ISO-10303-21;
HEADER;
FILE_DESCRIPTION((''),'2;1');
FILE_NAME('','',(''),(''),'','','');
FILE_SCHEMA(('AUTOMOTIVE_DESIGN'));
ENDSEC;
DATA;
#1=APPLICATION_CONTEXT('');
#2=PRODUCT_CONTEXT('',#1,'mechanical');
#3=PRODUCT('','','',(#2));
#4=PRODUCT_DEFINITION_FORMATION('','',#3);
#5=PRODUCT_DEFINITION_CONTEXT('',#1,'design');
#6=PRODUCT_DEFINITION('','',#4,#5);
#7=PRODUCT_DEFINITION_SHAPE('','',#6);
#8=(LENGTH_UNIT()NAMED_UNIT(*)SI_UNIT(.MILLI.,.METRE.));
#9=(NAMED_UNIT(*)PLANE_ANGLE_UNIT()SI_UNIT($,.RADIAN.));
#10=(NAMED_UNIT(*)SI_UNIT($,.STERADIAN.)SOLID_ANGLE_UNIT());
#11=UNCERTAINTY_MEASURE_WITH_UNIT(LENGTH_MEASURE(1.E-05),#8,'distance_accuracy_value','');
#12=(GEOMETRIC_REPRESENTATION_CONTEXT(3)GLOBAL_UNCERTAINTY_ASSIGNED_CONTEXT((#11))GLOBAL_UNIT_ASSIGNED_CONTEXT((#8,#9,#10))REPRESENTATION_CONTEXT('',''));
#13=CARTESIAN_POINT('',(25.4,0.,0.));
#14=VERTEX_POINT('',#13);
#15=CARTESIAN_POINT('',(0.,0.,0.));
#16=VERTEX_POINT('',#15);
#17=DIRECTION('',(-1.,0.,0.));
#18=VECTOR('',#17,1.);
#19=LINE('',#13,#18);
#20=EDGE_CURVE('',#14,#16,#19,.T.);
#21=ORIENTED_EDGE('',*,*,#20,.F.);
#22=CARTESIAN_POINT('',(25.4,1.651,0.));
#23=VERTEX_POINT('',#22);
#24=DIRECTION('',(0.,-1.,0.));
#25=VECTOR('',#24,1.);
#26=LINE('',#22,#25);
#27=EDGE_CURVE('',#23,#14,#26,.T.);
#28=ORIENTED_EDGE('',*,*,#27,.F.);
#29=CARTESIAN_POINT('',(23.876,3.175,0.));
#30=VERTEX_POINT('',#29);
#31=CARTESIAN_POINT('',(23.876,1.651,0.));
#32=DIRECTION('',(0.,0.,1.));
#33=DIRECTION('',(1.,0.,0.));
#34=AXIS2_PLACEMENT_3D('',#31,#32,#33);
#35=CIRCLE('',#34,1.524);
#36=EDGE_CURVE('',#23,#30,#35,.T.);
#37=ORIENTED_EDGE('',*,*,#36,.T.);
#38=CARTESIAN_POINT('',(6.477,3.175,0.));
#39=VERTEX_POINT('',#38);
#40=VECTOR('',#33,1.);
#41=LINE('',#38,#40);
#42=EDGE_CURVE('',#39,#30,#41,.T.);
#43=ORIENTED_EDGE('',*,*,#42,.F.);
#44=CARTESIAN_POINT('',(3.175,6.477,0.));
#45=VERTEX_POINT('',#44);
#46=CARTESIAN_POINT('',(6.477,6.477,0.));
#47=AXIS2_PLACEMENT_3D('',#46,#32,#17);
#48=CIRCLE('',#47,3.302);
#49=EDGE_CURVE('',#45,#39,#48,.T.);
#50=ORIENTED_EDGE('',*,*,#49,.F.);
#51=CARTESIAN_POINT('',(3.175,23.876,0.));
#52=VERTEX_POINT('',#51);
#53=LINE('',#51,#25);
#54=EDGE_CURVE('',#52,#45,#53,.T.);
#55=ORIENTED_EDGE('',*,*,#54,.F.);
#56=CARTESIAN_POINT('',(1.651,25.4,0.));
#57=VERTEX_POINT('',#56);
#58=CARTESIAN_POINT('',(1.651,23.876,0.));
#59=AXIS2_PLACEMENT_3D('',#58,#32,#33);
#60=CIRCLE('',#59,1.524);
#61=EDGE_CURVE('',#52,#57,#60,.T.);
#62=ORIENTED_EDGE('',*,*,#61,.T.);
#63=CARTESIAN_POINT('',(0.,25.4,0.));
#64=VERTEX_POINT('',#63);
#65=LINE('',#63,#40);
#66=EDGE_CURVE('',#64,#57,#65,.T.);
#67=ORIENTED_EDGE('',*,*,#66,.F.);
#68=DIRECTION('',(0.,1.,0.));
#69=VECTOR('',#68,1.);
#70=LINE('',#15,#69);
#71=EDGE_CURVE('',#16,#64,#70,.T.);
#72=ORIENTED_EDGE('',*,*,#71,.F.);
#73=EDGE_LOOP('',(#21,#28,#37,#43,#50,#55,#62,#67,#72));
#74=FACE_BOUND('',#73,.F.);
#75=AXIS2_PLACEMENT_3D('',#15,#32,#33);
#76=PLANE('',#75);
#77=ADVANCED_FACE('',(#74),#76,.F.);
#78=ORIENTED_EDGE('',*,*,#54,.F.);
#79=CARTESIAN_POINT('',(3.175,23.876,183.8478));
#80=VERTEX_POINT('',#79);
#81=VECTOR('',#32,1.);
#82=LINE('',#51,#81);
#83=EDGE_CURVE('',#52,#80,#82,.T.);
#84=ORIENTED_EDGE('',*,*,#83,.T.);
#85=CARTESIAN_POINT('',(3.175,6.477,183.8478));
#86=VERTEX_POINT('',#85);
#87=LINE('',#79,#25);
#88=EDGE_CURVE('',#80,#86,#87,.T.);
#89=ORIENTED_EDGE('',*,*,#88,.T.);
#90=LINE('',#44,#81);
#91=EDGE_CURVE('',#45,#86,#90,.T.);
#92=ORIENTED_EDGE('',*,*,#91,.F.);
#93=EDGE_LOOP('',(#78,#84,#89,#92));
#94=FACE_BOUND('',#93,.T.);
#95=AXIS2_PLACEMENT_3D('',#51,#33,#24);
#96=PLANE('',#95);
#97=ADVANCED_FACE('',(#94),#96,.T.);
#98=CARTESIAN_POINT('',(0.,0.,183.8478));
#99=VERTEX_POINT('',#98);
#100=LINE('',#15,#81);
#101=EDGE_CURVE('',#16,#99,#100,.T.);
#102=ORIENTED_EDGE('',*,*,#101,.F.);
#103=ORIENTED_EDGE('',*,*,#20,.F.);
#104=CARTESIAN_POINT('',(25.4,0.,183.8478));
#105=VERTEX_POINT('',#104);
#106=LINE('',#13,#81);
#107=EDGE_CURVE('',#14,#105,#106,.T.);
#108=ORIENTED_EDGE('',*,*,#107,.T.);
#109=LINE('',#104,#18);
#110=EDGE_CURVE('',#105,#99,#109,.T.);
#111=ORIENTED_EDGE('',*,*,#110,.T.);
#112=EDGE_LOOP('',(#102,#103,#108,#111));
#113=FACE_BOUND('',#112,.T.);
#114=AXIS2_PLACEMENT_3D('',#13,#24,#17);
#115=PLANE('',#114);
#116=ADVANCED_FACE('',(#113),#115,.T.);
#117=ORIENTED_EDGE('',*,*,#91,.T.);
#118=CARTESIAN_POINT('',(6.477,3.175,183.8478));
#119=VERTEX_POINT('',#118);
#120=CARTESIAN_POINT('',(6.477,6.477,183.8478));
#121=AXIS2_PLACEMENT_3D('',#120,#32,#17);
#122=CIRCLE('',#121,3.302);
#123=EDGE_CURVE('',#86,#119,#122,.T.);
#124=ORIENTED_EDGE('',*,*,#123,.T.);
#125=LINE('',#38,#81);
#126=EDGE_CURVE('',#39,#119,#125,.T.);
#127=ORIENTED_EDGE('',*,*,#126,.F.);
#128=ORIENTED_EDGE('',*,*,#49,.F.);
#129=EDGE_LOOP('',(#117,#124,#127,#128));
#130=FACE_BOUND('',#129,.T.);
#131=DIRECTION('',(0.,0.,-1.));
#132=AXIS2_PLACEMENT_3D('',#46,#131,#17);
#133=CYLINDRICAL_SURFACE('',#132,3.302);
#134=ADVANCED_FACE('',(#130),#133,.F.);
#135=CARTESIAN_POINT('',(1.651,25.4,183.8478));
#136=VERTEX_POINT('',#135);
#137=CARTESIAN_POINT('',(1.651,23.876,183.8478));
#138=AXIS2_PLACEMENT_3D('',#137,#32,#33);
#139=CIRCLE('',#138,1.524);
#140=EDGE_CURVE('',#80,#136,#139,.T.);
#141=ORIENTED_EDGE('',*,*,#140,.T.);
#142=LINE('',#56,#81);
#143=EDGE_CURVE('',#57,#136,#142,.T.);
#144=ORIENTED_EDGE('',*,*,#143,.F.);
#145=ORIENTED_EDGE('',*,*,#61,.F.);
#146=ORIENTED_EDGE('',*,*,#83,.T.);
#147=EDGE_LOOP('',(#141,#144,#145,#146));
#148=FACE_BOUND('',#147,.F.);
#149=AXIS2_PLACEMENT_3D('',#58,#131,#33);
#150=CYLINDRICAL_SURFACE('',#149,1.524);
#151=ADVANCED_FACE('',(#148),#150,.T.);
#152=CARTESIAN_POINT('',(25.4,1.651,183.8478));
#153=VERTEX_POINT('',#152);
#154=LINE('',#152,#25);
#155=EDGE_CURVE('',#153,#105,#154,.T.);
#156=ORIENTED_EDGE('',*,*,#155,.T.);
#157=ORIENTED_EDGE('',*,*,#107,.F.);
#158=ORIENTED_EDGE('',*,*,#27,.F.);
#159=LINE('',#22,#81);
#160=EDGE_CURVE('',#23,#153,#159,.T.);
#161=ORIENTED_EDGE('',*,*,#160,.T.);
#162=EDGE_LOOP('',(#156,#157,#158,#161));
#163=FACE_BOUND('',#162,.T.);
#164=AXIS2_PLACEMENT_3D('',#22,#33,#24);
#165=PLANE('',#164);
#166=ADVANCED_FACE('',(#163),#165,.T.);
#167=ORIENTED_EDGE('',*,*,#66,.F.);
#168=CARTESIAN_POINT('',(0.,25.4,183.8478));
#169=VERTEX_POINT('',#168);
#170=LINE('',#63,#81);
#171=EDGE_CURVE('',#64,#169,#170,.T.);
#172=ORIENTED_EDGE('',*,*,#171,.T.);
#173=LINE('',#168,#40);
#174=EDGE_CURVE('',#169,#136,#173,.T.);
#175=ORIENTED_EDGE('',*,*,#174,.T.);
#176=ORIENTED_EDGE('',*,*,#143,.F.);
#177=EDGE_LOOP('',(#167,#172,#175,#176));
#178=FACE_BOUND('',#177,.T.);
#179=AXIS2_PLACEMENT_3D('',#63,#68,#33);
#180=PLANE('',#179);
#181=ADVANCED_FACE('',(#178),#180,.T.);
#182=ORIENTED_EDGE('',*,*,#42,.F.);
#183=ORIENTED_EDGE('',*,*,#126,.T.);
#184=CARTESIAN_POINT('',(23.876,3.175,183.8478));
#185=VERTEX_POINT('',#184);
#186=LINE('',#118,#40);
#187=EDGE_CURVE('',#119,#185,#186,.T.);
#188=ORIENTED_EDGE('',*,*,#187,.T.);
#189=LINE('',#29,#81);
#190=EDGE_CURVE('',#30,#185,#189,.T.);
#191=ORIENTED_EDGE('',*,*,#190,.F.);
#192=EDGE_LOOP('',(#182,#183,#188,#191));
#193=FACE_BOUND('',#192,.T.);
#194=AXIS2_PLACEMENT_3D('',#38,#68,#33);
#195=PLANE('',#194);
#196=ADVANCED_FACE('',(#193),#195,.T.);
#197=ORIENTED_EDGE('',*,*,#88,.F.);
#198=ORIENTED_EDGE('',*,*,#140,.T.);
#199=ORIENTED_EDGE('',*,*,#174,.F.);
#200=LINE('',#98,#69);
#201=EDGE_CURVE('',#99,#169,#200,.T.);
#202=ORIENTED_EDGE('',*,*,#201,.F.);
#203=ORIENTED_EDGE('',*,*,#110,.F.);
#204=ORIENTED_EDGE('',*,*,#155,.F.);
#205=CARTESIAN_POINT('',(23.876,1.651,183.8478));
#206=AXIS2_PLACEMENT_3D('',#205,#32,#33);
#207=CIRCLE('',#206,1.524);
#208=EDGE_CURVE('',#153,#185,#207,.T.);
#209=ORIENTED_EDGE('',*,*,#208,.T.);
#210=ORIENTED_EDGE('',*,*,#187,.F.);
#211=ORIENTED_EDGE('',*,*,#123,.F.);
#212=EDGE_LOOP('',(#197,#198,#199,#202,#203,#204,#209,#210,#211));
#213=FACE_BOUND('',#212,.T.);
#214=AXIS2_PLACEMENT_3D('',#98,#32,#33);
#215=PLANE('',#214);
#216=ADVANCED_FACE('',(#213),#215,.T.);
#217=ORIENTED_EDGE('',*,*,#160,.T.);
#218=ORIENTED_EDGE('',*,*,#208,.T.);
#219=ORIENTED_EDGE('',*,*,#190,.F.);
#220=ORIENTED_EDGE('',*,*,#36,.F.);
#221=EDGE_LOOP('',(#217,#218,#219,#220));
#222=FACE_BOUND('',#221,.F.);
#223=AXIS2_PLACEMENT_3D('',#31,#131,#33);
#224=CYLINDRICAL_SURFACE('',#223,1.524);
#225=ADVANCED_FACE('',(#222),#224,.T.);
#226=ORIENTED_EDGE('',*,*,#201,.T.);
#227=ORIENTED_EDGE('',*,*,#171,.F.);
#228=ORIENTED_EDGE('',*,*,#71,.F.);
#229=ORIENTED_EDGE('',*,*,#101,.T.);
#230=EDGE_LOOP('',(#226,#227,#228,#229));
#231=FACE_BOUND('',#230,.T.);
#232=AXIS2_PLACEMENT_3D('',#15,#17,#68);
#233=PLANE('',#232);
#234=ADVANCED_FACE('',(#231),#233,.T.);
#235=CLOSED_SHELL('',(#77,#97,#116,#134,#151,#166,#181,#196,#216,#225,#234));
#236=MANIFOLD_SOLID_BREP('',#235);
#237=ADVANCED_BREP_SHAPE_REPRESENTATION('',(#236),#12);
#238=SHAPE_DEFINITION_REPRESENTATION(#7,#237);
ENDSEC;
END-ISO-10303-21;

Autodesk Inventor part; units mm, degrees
ref_plane "YZ Plane" through (0, 0, 0) normal (1, 0, 0) x (0, 1, 0)
ref_plane "Start Plane" through (0, 0, 0) normal (0, 0, 1) x (1, 0, 0)
ref_plane "End Plane" through (0, 0, 183.8478) normal (0, 0, 1) x (1, 0, 0)
sketch "Sketch" plane through (0, 0, 0) normal (0, 0, 1) x (1, 0, 0)
  line L0 (25.4, 0) -> (0, 0)
  line L1 (0, 0) -> (0, 25.4)
  line L2 (0, 25.4) -> (1.651, 25.4)
  line L3 (3.175, 23.876) -> (3.175, 6.477)
  line L4 (6.477, 3.175) -> (23.876, 3.175)
  line L5 (25.4, 1.651) -> (25.4, 0)
  line L6 (0, -11.0414) -> (0, 31.5385) construction
  line L7 (-11.0414, 0) -> (31.5385, 0) construction
  arc A0 (3.175, 6.477) -> (6.477, 3.175) centre (6.477, 6.477) ccw
  arc A1 (3.175, 23.876) -> (1.651, 25.4) centre (1.651, 23.876) ccw
  arc A2 (25.4, 1.651) -> (23.876, 3.175) centre (23.876, 1.651) ccw
  line L8 (0, 40.0545) -> (0, -19.5574) construction
  line L9 (-19.5574, 0) -> (40.0545, 0) construction
  point P0 (3.175, 25.4)
  point P1 (3.175, 3.175)
  point P2 (25.4, 3.175)
  dimension "d0" = 25.4
  dimension "d1" = 25.4
  dimension "d2" = 3.175
  dimension "d3" = 3.175
  dimension "d10" = 0
  dimension "d11" = 0
  dimension "d14" = 3.302
  dimension "d15" = 1.524
extrude "Body" add sketch "Sketch" along normal up to surface (183.8478 mm away) from surface at 0
sketch "Sketch3" plane through (0, 0, 0) normal (0, 0, 1) x (1, 0, 0)
  line L0 (0, 0) -> (10, 0)
ref_plane "Work Plane3" through (0, 0, 0) normal (0, -1, 0) x (1, 0, 0)
sketch "Sketch4" plane through (0, 0, 0) normal (0, -1, 0) x (1, 0, 0)
  line L0 (-2, 0) -> (12, 0) projected
  line L1 (-2, 183.8478) -> (12, 183.8478) projected
  dimension "d17" = 183.8478
equation "\"d0\" = G_H"
equation "\"d1\" = G_H"
equation "\"d2\" = G_T"
equation "\"d3\" = G_T"
equation "\"d14\" = G_IR"
equation "\"d15\" = G_ER"
equation "\"d4\" = G_L"
equation "\"G_H\" = 25.4"
equation "\"G_T\" = 3.175"
equation "\"G_ER\" = 1.524"
equation "\"G_IR\" = 3.302"
equation "\"G_L\" = d17"
equation "\"ex\" = 0"
equation "\"G_OFFSET_START\" = 0"
equation "\"G_OFFSET_END\" = 0"
equation "\"d13\" = G_OFFSET_END + B_L"
equation "\"B_L\" = 183.84776"
properties part number "AISC - L 1 x 1 x 1/8 - 7.238" material "Steel, Mild"
